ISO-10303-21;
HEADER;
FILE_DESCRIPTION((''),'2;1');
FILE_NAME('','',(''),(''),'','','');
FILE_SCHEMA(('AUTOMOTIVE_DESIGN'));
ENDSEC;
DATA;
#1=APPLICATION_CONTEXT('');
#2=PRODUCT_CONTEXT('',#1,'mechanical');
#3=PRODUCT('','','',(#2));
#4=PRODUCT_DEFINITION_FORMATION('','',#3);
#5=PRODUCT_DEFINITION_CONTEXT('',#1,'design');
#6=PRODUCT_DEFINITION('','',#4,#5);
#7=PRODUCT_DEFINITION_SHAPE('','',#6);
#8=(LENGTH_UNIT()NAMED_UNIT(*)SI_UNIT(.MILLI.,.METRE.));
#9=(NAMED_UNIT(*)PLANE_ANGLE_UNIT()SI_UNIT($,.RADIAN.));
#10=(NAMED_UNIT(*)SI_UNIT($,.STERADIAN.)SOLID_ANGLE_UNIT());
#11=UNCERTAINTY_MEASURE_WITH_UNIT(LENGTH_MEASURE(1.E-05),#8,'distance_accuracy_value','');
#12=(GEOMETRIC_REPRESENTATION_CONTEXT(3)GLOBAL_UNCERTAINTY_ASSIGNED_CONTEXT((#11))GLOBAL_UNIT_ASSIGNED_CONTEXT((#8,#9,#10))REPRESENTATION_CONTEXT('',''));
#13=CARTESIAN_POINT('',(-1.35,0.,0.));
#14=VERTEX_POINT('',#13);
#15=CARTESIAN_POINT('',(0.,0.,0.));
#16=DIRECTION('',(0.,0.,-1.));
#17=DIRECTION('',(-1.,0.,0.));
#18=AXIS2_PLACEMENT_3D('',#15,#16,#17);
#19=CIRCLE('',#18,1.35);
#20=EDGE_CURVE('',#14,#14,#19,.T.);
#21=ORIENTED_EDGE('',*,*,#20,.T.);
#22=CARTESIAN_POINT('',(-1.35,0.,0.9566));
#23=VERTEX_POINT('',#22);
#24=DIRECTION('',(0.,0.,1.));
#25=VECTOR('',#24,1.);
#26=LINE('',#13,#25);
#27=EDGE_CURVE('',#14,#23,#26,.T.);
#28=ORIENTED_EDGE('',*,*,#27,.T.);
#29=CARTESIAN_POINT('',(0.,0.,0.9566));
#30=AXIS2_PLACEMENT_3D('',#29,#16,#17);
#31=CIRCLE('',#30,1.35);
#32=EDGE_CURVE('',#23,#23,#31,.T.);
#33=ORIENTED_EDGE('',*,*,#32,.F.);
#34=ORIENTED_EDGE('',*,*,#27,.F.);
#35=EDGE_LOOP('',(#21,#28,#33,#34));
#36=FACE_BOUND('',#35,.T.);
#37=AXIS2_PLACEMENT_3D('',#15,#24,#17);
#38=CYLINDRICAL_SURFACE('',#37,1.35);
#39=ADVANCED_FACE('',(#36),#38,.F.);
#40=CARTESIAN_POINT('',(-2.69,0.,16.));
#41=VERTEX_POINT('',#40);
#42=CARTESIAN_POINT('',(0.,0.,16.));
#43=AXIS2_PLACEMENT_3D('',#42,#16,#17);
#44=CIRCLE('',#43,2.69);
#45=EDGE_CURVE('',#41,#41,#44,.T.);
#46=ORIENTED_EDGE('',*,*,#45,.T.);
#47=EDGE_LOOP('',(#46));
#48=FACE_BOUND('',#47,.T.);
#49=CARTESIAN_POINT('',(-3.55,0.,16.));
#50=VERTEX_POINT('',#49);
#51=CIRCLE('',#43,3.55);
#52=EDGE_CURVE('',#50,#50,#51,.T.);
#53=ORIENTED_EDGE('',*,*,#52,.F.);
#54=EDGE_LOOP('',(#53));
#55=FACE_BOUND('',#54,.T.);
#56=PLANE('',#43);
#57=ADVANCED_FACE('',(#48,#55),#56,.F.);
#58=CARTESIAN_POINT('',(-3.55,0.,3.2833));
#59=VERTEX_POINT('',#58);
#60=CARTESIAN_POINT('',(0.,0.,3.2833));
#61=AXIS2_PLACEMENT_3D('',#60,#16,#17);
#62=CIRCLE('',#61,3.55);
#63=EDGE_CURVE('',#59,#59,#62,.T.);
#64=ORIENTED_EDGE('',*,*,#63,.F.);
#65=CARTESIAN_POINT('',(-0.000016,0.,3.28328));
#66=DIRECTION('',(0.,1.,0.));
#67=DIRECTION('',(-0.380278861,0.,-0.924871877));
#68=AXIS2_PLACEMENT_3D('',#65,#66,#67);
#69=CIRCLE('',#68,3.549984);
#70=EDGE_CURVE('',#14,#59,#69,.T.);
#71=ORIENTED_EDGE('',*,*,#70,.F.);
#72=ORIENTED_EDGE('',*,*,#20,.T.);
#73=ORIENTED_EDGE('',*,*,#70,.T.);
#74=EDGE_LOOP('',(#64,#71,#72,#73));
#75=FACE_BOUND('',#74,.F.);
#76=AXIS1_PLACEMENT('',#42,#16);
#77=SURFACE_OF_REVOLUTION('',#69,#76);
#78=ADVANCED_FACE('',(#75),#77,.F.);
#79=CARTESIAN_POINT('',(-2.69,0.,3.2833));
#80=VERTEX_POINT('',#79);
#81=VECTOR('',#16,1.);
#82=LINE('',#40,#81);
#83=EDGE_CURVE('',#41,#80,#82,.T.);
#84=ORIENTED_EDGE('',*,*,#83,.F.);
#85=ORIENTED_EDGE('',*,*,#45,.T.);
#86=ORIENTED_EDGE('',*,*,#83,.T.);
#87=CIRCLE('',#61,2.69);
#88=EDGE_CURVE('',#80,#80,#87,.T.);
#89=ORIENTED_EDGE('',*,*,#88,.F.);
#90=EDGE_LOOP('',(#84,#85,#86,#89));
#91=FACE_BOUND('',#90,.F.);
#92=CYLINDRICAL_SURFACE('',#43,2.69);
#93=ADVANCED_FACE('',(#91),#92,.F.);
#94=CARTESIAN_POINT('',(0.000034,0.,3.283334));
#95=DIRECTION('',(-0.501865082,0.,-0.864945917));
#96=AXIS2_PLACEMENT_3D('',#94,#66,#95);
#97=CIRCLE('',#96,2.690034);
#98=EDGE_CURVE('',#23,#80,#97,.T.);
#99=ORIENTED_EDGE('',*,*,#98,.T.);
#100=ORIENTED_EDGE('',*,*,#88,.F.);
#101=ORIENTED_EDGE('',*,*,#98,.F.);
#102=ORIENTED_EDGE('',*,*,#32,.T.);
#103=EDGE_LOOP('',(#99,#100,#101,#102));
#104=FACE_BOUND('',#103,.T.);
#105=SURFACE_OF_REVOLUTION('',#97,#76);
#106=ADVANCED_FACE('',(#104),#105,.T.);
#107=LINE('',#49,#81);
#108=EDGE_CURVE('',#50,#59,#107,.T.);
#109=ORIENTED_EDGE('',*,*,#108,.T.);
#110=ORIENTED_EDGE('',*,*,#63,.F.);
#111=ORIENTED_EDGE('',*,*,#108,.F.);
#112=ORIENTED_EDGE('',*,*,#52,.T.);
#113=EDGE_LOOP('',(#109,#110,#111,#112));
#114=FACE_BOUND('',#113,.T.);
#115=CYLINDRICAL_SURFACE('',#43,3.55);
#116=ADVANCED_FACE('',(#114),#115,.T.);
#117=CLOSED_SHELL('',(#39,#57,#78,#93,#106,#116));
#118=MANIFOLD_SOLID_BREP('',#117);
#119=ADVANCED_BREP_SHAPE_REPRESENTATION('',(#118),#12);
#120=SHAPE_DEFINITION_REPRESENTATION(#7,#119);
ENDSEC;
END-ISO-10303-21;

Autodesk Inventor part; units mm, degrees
ref_plane "YZ Plane" through (0, 0, 0) normal (1, 0, 0) x (0, 1, 0)
ref_plane "XZ Plane" through (0, 0, 0) normal (0, 1, 0) x (-1, 0, 0)
ref_plane "XY Plane" through (0, 0, 0) normal (0, 0, 1) x (1, 0, 0)
sketch "Sketch1" plane through (0, 0, 0) normal (0, 1, 0) x (-1, 0, 0)
  line L0 (0, 16) -> (0, 0) construction
  line L1 (2.69, 16) -> (3.55, 16)
  line L2 (3.55, 16) -> (3.55, 3.2833)
  arc A0 (1.35, 0) -> (3.55, 3.2833) centre (0, 3.2833) ccw
  line L3 (2.69, 16) -> (2.69, 3.2833)
  arc A1 (1.35, 0.9566) -> (2.69, 3.2833) centre (0, 3.2833) ccw
  line L4 (2.69, 16) -> (0, 16) construction
  line L5 (0, 0) -> (3.1469, 0) construction
  line L6 (1.35, 0) -> (1.35, 0.9566)
  dimension "d0" = 16
  dimension "d2" = 3.55
  dimension "d3" = 2.69
  dimension "d5" = 1.35
revolve "Revolution1" add sketch "Sketch1" angle 360 about axis through (0, 0, 16) along (0, 0, -1)
properties part number "Toggle_Cap" material "Nickel-Copper Alloy 400"
